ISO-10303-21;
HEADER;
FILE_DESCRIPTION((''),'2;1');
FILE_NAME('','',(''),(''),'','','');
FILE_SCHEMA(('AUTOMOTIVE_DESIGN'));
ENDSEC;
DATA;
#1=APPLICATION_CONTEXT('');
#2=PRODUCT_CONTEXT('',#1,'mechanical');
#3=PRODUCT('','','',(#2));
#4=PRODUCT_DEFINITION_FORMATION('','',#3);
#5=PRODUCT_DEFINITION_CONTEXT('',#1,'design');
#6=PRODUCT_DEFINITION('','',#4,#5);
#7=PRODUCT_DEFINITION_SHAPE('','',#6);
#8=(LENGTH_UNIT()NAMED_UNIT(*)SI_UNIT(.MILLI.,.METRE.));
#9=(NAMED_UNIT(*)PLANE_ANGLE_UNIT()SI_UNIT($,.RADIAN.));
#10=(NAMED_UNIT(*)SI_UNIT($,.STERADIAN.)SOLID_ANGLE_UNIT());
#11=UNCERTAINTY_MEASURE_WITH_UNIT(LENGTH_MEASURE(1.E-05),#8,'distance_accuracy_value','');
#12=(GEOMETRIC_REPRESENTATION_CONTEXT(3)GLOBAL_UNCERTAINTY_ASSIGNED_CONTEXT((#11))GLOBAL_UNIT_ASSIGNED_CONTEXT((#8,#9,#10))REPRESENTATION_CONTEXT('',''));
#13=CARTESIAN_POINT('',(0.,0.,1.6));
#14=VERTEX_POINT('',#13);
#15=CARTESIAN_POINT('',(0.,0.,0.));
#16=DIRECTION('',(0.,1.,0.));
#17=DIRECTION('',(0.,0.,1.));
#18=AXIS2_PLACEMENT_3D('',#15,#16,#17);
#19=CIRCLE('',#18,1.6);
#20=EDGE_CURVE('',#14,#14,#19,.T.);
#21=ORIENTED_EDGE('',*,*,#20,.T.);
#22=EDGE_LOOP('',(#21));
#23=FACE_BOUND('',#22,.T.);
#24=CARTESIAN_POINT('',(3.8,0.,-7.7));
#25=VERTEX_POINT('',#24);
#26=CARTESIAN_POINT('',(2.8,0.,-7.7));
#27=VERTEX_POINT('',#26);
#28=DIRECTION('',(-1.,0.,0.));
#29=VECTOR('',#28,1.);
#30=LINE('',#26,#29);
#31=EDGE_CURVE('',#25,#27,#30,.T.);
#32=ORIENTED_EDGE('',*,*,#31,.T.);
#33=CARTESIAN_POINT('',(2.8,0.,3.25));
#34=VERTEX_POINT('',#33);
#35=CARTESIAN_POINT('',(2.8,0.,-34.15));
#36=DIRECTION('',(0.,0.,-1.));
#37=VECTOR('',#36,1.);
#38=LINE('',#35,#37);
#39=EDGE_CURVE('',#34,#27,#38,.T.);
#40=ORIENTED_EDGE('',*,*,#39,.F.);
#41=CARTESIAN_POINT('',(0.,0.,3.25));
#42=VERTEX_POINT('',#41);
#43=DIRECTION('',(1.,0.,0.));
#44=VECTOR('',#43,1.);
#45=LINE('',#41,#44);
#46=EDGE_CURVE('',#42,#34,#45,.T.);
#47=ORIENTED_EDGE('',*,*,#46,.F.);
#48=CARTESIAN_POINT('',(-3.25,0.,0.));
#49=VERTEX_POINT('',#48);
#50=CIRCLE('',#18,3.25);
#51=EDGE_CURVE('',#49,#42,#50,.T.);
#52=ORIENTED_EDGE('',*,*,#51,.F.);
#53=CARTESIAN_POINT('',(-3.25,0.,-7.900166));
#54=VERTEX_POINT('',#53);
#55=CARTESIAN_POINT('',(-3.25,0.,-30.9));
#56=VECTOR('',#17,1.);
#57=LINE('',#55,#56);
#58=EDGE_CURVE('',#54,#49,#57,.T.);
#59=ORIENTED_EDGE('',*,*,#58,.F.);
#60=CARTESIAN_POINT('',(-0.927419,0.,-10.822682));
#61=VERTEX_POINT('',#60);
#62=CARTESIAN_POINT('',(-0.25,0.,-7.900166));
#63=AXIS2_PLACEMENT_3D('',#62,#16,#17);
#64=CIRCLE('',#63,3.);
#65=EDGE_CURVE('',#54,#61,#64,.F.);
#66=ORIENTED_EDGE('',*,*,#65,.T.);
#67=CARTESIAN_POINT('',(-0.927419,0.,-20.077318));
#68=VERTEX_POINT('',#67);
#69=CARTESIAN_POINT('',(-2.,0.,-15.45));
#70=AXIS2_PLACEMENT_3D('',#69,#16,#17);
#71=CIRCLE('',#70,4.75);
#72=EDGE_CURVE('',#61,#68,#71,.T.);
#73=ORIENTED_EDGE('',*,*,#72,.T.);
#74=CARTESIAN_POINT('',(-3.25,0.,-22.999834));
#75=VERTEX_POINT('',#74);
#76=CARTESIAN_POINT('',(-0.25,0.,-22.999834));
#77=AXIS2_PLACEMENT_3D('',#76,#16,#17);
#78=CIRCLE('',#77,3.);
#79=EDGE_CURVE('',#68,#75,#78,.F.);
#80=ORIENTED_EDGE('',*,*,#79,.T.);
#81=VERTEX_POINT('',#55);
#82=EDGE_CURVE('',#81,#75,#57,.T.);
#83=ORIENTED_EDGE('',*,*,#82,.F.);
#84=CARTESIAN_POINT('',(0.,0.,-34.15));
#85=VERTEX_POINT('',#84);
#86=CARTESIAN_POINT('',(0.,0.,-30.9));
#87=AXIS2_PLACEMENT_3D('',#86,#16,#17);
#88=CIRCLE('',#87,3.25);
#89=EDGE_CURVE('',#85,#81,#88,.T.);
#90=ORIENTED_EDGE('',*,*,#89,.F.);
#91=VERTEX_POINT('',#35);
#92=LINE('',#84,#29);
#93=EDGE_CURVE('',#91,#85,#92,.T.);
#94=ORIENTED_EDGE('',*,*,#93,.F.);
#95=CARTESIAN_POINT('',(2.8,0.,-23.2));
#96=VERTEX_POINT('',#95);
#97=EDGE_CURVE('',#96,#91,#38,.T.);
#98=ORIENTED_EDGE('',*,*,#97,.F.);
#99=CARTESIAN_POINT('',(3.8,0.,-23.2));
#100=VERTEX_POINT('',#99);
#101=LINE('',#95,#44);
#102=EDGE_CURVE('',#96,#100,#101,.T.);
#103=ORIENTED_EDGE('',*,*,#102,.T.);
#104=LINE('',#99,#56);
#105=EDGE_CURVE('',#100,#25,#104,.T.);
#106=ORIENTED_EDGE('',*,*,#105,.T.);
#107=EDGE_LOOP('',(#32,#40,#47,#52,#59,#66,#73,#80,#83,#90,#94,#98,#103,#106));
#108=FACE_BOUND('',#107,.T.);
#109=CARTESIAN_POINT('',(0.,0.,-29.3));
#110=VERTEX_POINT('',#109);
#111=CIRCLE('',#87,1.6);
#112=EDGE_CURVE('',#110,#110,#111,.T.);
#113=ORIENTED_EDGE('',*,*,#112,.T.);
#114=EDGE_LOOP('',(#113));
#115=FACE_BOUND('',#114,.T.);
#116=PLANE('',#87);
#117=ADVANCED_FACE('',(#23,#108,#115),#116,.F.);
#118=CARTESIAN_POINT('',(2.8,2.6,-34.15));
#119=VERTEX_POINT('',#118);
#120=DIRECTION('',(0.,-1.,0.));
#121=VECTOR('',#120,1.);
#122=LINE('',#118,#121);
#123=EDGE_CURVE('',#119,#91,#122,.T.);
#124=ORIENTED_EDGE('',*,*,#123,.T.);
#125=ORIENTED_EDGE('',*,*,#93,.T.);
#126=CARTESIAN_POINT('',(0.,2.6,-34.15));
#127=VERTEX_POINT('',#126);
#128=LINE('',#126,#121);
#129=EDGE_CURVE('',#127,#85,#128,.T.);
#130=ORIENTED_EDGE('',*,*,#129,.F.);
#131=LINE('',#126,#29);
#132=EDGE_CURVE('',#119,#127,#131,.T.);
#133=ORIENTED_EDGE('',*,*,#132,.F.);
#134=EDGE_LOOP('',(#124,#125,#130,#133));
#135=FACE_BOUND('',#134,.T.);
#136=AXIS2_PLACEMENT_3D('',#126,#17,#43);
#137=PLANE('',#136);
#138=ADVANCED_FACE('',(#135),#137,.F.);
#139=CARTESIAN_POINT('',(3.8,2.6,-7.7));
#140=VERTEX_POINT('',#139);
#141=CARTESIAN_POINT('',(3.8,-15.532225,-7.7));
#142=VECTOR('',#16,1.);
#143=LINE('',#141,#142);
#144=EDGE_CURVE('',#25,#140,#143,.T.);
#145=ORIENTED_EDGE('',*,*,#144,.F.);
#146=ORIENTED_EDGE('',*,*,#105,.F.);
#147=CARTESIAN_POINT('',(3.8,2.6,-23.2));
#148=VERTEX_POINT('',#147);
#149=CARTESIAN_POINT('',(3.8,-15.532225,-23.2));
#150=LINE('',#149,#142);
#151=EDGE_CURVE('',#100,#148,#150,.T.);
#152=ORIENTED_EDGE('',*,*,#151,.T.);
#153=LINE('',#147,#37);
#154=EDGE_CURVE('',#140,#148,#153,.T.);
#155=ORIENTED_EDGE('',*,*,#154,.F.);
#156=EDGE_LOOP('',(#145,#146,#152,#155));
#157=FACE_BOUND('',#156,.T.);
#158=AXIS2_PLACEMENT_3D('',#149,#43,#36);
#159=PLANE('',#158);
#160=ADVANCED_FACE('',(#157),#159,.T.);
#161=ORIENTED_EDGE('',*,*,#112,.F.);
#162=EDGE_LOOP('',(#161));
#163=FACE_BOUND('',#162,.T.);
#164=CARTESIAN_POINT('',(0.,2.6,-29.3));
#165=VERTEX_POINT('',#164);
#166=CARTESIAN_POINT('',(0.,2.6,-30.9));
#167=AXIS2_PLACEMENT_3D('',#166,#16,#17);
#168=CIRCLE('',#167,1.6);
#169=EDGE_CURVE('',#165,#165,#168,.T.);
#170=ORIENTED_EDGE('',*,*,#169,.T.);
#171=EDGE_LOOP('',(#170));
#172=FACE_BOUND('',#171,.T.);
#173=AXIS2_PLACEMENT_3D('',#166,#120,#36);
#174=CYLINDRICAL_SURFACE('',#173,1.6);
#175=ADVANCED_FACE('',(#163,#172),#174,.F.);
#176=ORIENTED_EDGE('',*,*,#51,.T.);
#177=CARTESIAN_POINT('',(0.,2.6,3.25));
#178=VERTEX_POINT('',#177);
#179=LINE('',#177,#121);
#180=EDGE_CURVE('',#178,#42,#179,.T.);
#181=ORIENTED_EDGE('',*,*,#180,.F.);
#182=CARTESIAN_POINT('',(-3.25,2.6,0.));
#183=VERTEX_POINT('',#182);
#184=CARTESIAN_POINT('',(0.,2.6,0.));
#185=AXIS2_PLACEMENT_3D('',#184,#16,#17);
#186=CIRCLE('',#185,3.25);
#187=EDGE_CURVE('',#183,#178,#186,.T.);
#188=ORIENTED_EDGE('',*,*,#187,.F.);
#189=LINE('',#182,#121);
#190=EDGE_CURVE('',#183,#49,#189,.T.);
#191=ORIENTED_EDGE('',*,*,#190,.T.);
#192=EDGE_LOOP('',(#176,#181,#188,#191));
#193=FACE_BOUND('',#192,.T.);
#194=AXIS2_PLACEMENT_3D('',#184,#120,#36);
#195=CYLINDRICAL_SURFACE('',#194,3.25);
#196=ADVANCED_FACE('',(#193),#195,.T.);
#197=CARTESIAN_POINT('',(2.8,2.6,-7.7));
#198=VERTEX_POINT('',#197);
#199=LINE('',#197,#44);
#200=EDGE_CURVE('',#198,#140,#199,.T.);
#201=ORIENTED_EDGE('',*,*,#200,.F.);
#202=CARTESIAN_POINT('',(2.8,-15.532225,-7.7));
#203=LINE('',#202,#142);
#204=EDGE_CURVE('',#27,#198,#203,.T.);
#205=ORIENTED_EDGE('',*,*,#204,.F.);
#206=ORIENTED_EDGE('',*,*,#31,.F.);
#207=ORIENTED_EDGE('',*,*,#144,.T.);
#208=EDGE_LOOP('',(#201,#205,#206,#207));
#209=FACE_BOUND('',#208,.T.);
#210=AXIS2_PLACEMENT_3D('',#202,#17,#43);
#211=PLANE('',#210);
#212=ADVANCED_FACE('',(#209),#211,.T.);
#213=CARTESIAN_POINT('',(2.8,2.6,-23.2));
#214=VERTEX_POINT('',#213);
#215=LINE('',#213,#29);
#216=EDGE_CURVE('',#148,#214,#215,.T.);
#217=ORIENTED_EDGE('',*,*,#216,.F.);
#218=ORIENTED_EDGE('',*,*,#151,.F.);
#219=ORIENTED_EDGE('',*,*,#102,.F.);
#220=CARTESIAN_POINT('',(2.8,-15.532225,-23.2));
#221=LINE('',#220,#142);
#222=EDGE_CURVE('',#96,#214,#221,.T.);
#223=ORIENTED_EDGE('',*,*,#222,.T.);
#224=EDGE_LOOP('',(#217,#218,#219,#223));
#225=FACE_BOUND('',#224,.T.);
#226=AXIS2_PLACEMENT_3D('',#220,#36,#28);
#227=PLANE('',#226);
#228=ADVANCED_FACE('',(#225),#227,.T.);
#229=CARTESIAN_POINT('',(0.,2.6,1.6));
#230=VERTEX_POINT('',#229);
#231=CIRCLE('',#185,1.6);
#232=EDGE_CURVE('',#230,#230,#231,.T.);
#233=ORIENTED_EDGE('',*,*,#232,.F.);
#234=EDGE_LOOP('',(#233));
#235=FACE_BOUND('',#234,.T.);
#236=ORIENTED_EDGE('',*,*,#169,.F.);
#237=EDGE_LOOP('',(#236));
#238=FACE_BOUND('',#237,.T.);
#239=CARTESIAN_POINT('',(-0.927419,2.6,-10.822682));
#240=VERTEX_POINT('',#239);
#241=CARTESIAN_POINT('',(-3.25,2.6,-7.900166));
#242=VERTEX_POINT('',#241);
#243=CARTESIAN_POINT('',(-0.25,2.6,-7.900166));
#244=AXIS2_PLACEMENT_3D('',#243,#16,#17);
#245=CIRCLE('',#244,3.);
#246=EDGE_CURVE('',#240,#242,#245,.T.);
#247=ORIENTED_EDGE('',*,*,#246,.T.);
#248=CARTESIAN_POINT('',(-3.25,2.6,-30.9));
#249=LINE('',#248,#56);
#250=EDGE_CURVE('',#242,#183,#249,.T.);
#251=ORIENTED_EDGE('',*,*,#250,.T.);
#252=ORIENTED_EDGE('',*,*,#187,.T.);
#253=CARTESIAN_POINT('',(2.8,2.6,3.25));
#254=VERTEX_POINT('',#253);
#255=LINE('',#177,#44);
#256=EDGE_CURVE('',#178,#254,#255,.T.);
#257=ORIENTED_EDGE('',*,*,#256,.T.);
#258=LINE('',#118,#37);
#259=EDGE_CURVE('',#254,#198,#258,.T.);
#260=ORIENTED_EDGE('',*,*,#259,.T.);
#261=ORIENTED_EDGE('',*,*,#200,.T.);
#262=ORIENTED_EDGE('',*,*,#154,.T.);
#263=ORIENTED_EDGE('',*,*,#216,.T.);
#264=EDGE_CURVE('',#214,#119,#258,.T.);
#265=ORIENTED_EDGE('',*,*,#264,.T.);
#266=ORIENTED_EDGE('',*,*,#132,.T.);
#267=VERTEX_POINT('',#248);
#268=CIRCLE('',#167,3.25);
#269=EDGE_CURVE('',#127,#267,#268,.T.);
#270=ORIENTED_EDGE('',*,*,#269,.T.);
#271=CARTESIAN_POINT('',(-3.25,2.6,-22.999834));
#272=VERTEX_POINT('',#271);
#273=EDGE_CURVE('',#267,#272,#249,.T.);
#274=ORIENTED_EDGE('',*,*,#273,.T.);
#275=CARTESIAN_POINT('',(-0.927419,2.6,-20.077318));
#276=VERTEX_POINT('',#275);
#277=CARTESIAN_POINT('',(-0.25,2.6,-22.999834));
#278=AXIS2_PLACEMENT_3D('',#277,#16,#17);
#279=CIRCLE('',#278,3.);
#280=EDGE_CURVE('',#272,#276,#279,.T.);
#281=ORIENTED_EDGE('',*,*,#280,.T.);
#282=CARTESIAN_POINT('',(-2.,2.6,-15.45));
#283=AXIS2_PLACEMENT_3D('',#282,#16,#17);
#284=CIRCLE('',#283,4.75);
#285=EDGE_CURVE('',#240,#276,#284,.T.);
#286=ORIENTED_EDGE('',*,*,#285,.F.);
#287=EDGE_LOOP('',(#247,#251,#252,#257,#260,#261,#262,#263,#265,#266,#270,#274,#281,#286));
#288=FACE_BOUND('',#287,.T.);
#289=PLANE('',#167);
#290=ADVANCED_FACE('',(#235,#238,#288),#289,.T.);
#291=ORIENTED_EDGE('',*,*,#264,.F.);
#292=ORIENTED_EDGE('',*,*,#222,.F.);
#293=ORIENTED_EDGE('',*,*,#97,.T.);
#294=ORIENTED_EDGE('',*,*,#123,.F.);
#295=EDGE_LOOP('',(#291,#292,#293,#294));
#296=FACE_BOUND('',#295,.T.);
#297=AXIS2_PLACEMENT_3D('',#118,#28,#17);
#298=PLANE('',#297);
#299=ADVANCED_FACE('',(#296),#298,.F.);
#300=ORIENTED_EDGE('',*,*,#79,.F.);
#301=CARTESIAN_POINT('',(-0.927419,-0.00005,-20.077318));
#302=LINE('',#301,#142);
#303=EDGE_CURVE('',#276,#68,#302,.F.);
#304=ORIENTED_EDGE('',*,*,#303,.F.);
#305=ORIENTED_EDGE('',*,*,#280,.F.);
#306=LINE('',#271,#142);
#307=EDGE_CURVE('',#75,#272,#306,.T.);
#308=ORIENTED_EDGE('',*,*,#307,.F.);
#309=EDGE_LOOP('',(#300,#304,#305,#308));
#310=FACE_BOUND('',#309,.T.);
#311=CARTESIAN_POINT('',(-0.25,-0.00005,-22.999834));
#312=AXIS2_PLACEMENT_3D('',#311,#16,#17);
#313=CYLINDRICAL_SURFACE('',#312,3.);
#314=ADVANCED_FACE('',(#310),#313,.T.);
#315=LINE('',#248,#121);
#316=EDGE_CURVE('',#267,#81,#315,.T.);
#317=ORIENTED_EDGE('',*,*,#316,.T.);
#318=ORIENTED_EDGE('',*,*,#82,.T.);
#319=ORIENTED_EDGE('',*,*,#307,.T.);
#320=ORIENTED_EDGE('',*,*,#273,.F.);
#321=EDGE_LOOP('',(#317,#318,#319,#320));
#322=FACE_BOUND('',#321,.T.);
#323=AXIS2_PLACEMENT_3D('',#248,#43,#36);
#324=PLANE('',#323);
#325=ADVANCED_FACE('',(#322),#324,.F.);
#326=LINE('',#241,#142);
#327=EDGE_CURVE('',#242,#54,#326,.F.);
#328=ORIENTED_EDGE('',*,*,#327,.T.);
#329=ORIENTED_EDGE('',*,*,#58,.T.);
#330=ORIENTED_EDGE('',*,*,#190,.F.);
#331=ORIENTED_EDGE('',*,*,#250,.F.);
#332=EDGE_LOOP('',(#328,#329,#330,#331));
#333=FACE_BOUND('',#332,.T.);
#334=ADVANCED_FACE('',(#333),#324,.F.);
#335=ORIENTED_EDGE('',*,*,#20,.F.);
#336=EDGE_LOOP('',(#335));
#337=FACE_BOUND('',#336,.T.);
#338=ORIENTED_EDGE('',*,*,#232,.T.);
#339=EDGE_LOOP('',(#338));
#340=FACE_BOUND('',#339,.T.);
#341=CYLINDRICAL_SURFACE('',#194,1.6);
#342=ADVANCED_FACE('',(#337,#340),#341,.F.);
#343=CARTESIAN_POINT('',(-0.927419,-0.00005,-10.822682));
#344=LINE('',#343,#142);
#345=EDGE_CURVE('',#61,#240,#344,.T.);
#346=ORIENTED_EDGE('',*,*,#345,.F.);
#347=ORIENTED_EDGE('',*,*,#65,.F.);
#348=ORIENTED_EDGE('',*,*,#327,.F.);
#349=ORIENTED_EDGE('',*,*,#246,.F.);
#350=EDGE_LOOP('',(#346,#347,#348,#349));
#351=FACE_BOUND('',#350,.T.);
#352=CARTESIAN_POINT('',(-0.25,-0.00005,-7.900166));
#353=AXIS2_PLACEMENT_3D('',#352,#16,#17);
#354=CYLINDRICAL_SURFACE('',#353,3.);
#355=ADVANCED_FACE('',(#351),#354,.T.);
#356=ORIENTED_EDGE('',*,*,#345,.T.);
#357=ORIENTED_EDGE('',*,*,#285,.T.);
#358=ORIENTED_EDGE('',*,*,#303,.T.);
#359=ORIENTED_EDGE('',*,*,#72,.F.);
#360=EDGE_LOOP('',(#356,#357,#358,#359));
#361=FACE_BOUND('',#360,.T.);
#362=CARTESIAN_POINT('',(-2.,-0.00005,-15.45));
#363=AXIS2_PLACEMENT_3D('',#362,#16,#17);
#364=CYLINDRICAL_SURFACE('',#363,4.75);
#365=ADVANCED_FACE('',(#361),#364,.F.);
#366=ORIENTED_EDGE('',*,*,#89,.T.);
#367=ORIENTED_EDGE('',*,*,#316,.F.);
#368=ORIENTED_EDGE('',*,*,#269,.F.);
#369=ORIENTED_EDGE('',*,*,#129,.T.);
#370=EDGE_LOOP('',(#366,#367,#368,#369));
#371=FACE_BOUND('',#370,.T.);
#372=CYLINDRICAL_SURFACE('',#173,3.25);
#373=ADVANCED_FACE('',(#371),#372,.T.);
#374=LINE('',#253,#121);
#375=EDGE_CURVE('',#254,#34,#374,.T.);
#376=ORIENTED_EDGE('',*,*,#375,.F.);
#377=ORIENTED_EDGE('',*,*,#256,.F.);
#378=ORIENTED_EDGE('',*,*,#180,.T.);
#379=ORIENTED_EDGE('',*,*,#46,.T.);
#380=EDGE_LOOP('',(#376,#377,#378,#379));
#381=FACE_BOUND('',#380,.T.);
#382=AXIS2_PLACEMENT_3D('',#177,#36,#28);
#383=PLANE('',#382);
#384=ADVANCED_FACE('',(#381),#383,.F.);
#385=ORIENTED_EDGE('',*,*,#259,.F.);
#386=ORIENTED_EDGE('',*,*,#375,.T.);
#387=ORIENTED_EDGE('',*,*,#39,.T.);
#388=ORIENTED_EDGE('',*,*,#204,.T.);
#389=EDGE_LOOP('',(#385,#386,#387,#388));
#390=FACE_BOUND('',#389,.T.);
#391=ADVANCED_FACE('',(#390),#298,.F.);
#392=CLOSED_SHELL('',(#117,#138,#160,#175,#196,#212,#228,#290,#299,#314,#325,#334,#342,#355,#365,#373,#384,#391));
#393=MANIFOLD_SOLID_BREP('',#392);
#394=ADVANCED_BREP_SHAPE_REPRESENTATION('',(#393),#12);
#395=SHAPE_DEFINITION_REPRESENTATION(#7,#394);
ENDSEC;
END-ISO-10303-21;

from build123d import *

# Parameters (mm, degrees)
CROQUIS1_R              = 1.6
SALIENTE_EXTRUIR1_DEPTH = 2.6
CROQUIS3_W              = 1
CROQUIS3_H              = 15.5
SALIENTE_EXTRUIR2_DEPTH = 2.6
CORTAR_EXTRUIR1_DEPTH   = 35.458997374
REDONDEO1_R             = 3


with BuildPart() as part:
    # Croquis1 → Saliente-Extruir1 (new body)
    with BuildSketch(Plane(origin=(0, 0, 0), x_dir=(1, 0, 0), z_dir=(0, 1, 0))):
        with BuildLine():
            Line((-3.25, 30.9), (-3.25, 0))
            ThreePointArc((-3.25, 0), (-2.298097039, -2.298097039), (0, -3.25))
            Line((0, -3.25), (2.8, -3.25))
            Line((2.8, -3.25), (2.8, 34.15))
            Line((2.8, 34.15), (0, 34.15))
            ThreePointArc((0, 34.15), (-2.298097039, 33.198097039), (-3.25, 30.9))
        make_face()
        with Locations(Location((0, 0, 0), (0, 0, 270))):
            Circle(CROQUIS1_R, mode=Mode.SUBTRACT)
        with Locations(Location((0, 30.9, 0), (0, 0, 270))):
            Circle(CROQUIS1_R, mode=Mode.SUBTRACT)
    extrude(amount=SALIENTE_EXTRUIR1_DEPTH)

    # Croquis3 → Saliente-Extruir2 (add)
    with BuildSketch(Plane(origin=(0, 2.6, 0), x_dir=(1, 0, 0), z_dir=(0, 1, 0))):
        with Locations((3.3, 15.45)):
            Rectangle(CROQUIS3_W, CROQUIS3_H)
    extrude(amount=-SALIENTE_EXTRUIR2_DEPTH)

    # Croquis2 → Cortar-Extruir1 (cut, through all)
    with BuildSketch(Plane(origin=(0, 2.6, 0), x_dir=(1, 0, 0), z_dir=(0, 1, 0))):
        with BuildLine():
            Line((-2, 20.2), (-3.25, 20.2))
            Line((-3.25, 20.2), (-3.25, 10.7))
            Line((-3.25, 10.7), (-2, 10.7))
            ThreePointArc((-2, 10.7), (2.75, 15.45), (-2, 20.2))
        make_face()
    extrude(amount=-CORTAR_EXTRUIR1_DEPTH, mode=Mode.SUBTRACT)

    # Redondeo1
    redondeo1_edges = [part.edges().sort_by_distance(p)[0] for p in [
        (-3.25, 1.3, -10.7),
        (-3.25, 1.3, -20.2),
    ]]
    fillet(redondeo1_edges, radius=REDONDEO1_R)


solid = part.part
